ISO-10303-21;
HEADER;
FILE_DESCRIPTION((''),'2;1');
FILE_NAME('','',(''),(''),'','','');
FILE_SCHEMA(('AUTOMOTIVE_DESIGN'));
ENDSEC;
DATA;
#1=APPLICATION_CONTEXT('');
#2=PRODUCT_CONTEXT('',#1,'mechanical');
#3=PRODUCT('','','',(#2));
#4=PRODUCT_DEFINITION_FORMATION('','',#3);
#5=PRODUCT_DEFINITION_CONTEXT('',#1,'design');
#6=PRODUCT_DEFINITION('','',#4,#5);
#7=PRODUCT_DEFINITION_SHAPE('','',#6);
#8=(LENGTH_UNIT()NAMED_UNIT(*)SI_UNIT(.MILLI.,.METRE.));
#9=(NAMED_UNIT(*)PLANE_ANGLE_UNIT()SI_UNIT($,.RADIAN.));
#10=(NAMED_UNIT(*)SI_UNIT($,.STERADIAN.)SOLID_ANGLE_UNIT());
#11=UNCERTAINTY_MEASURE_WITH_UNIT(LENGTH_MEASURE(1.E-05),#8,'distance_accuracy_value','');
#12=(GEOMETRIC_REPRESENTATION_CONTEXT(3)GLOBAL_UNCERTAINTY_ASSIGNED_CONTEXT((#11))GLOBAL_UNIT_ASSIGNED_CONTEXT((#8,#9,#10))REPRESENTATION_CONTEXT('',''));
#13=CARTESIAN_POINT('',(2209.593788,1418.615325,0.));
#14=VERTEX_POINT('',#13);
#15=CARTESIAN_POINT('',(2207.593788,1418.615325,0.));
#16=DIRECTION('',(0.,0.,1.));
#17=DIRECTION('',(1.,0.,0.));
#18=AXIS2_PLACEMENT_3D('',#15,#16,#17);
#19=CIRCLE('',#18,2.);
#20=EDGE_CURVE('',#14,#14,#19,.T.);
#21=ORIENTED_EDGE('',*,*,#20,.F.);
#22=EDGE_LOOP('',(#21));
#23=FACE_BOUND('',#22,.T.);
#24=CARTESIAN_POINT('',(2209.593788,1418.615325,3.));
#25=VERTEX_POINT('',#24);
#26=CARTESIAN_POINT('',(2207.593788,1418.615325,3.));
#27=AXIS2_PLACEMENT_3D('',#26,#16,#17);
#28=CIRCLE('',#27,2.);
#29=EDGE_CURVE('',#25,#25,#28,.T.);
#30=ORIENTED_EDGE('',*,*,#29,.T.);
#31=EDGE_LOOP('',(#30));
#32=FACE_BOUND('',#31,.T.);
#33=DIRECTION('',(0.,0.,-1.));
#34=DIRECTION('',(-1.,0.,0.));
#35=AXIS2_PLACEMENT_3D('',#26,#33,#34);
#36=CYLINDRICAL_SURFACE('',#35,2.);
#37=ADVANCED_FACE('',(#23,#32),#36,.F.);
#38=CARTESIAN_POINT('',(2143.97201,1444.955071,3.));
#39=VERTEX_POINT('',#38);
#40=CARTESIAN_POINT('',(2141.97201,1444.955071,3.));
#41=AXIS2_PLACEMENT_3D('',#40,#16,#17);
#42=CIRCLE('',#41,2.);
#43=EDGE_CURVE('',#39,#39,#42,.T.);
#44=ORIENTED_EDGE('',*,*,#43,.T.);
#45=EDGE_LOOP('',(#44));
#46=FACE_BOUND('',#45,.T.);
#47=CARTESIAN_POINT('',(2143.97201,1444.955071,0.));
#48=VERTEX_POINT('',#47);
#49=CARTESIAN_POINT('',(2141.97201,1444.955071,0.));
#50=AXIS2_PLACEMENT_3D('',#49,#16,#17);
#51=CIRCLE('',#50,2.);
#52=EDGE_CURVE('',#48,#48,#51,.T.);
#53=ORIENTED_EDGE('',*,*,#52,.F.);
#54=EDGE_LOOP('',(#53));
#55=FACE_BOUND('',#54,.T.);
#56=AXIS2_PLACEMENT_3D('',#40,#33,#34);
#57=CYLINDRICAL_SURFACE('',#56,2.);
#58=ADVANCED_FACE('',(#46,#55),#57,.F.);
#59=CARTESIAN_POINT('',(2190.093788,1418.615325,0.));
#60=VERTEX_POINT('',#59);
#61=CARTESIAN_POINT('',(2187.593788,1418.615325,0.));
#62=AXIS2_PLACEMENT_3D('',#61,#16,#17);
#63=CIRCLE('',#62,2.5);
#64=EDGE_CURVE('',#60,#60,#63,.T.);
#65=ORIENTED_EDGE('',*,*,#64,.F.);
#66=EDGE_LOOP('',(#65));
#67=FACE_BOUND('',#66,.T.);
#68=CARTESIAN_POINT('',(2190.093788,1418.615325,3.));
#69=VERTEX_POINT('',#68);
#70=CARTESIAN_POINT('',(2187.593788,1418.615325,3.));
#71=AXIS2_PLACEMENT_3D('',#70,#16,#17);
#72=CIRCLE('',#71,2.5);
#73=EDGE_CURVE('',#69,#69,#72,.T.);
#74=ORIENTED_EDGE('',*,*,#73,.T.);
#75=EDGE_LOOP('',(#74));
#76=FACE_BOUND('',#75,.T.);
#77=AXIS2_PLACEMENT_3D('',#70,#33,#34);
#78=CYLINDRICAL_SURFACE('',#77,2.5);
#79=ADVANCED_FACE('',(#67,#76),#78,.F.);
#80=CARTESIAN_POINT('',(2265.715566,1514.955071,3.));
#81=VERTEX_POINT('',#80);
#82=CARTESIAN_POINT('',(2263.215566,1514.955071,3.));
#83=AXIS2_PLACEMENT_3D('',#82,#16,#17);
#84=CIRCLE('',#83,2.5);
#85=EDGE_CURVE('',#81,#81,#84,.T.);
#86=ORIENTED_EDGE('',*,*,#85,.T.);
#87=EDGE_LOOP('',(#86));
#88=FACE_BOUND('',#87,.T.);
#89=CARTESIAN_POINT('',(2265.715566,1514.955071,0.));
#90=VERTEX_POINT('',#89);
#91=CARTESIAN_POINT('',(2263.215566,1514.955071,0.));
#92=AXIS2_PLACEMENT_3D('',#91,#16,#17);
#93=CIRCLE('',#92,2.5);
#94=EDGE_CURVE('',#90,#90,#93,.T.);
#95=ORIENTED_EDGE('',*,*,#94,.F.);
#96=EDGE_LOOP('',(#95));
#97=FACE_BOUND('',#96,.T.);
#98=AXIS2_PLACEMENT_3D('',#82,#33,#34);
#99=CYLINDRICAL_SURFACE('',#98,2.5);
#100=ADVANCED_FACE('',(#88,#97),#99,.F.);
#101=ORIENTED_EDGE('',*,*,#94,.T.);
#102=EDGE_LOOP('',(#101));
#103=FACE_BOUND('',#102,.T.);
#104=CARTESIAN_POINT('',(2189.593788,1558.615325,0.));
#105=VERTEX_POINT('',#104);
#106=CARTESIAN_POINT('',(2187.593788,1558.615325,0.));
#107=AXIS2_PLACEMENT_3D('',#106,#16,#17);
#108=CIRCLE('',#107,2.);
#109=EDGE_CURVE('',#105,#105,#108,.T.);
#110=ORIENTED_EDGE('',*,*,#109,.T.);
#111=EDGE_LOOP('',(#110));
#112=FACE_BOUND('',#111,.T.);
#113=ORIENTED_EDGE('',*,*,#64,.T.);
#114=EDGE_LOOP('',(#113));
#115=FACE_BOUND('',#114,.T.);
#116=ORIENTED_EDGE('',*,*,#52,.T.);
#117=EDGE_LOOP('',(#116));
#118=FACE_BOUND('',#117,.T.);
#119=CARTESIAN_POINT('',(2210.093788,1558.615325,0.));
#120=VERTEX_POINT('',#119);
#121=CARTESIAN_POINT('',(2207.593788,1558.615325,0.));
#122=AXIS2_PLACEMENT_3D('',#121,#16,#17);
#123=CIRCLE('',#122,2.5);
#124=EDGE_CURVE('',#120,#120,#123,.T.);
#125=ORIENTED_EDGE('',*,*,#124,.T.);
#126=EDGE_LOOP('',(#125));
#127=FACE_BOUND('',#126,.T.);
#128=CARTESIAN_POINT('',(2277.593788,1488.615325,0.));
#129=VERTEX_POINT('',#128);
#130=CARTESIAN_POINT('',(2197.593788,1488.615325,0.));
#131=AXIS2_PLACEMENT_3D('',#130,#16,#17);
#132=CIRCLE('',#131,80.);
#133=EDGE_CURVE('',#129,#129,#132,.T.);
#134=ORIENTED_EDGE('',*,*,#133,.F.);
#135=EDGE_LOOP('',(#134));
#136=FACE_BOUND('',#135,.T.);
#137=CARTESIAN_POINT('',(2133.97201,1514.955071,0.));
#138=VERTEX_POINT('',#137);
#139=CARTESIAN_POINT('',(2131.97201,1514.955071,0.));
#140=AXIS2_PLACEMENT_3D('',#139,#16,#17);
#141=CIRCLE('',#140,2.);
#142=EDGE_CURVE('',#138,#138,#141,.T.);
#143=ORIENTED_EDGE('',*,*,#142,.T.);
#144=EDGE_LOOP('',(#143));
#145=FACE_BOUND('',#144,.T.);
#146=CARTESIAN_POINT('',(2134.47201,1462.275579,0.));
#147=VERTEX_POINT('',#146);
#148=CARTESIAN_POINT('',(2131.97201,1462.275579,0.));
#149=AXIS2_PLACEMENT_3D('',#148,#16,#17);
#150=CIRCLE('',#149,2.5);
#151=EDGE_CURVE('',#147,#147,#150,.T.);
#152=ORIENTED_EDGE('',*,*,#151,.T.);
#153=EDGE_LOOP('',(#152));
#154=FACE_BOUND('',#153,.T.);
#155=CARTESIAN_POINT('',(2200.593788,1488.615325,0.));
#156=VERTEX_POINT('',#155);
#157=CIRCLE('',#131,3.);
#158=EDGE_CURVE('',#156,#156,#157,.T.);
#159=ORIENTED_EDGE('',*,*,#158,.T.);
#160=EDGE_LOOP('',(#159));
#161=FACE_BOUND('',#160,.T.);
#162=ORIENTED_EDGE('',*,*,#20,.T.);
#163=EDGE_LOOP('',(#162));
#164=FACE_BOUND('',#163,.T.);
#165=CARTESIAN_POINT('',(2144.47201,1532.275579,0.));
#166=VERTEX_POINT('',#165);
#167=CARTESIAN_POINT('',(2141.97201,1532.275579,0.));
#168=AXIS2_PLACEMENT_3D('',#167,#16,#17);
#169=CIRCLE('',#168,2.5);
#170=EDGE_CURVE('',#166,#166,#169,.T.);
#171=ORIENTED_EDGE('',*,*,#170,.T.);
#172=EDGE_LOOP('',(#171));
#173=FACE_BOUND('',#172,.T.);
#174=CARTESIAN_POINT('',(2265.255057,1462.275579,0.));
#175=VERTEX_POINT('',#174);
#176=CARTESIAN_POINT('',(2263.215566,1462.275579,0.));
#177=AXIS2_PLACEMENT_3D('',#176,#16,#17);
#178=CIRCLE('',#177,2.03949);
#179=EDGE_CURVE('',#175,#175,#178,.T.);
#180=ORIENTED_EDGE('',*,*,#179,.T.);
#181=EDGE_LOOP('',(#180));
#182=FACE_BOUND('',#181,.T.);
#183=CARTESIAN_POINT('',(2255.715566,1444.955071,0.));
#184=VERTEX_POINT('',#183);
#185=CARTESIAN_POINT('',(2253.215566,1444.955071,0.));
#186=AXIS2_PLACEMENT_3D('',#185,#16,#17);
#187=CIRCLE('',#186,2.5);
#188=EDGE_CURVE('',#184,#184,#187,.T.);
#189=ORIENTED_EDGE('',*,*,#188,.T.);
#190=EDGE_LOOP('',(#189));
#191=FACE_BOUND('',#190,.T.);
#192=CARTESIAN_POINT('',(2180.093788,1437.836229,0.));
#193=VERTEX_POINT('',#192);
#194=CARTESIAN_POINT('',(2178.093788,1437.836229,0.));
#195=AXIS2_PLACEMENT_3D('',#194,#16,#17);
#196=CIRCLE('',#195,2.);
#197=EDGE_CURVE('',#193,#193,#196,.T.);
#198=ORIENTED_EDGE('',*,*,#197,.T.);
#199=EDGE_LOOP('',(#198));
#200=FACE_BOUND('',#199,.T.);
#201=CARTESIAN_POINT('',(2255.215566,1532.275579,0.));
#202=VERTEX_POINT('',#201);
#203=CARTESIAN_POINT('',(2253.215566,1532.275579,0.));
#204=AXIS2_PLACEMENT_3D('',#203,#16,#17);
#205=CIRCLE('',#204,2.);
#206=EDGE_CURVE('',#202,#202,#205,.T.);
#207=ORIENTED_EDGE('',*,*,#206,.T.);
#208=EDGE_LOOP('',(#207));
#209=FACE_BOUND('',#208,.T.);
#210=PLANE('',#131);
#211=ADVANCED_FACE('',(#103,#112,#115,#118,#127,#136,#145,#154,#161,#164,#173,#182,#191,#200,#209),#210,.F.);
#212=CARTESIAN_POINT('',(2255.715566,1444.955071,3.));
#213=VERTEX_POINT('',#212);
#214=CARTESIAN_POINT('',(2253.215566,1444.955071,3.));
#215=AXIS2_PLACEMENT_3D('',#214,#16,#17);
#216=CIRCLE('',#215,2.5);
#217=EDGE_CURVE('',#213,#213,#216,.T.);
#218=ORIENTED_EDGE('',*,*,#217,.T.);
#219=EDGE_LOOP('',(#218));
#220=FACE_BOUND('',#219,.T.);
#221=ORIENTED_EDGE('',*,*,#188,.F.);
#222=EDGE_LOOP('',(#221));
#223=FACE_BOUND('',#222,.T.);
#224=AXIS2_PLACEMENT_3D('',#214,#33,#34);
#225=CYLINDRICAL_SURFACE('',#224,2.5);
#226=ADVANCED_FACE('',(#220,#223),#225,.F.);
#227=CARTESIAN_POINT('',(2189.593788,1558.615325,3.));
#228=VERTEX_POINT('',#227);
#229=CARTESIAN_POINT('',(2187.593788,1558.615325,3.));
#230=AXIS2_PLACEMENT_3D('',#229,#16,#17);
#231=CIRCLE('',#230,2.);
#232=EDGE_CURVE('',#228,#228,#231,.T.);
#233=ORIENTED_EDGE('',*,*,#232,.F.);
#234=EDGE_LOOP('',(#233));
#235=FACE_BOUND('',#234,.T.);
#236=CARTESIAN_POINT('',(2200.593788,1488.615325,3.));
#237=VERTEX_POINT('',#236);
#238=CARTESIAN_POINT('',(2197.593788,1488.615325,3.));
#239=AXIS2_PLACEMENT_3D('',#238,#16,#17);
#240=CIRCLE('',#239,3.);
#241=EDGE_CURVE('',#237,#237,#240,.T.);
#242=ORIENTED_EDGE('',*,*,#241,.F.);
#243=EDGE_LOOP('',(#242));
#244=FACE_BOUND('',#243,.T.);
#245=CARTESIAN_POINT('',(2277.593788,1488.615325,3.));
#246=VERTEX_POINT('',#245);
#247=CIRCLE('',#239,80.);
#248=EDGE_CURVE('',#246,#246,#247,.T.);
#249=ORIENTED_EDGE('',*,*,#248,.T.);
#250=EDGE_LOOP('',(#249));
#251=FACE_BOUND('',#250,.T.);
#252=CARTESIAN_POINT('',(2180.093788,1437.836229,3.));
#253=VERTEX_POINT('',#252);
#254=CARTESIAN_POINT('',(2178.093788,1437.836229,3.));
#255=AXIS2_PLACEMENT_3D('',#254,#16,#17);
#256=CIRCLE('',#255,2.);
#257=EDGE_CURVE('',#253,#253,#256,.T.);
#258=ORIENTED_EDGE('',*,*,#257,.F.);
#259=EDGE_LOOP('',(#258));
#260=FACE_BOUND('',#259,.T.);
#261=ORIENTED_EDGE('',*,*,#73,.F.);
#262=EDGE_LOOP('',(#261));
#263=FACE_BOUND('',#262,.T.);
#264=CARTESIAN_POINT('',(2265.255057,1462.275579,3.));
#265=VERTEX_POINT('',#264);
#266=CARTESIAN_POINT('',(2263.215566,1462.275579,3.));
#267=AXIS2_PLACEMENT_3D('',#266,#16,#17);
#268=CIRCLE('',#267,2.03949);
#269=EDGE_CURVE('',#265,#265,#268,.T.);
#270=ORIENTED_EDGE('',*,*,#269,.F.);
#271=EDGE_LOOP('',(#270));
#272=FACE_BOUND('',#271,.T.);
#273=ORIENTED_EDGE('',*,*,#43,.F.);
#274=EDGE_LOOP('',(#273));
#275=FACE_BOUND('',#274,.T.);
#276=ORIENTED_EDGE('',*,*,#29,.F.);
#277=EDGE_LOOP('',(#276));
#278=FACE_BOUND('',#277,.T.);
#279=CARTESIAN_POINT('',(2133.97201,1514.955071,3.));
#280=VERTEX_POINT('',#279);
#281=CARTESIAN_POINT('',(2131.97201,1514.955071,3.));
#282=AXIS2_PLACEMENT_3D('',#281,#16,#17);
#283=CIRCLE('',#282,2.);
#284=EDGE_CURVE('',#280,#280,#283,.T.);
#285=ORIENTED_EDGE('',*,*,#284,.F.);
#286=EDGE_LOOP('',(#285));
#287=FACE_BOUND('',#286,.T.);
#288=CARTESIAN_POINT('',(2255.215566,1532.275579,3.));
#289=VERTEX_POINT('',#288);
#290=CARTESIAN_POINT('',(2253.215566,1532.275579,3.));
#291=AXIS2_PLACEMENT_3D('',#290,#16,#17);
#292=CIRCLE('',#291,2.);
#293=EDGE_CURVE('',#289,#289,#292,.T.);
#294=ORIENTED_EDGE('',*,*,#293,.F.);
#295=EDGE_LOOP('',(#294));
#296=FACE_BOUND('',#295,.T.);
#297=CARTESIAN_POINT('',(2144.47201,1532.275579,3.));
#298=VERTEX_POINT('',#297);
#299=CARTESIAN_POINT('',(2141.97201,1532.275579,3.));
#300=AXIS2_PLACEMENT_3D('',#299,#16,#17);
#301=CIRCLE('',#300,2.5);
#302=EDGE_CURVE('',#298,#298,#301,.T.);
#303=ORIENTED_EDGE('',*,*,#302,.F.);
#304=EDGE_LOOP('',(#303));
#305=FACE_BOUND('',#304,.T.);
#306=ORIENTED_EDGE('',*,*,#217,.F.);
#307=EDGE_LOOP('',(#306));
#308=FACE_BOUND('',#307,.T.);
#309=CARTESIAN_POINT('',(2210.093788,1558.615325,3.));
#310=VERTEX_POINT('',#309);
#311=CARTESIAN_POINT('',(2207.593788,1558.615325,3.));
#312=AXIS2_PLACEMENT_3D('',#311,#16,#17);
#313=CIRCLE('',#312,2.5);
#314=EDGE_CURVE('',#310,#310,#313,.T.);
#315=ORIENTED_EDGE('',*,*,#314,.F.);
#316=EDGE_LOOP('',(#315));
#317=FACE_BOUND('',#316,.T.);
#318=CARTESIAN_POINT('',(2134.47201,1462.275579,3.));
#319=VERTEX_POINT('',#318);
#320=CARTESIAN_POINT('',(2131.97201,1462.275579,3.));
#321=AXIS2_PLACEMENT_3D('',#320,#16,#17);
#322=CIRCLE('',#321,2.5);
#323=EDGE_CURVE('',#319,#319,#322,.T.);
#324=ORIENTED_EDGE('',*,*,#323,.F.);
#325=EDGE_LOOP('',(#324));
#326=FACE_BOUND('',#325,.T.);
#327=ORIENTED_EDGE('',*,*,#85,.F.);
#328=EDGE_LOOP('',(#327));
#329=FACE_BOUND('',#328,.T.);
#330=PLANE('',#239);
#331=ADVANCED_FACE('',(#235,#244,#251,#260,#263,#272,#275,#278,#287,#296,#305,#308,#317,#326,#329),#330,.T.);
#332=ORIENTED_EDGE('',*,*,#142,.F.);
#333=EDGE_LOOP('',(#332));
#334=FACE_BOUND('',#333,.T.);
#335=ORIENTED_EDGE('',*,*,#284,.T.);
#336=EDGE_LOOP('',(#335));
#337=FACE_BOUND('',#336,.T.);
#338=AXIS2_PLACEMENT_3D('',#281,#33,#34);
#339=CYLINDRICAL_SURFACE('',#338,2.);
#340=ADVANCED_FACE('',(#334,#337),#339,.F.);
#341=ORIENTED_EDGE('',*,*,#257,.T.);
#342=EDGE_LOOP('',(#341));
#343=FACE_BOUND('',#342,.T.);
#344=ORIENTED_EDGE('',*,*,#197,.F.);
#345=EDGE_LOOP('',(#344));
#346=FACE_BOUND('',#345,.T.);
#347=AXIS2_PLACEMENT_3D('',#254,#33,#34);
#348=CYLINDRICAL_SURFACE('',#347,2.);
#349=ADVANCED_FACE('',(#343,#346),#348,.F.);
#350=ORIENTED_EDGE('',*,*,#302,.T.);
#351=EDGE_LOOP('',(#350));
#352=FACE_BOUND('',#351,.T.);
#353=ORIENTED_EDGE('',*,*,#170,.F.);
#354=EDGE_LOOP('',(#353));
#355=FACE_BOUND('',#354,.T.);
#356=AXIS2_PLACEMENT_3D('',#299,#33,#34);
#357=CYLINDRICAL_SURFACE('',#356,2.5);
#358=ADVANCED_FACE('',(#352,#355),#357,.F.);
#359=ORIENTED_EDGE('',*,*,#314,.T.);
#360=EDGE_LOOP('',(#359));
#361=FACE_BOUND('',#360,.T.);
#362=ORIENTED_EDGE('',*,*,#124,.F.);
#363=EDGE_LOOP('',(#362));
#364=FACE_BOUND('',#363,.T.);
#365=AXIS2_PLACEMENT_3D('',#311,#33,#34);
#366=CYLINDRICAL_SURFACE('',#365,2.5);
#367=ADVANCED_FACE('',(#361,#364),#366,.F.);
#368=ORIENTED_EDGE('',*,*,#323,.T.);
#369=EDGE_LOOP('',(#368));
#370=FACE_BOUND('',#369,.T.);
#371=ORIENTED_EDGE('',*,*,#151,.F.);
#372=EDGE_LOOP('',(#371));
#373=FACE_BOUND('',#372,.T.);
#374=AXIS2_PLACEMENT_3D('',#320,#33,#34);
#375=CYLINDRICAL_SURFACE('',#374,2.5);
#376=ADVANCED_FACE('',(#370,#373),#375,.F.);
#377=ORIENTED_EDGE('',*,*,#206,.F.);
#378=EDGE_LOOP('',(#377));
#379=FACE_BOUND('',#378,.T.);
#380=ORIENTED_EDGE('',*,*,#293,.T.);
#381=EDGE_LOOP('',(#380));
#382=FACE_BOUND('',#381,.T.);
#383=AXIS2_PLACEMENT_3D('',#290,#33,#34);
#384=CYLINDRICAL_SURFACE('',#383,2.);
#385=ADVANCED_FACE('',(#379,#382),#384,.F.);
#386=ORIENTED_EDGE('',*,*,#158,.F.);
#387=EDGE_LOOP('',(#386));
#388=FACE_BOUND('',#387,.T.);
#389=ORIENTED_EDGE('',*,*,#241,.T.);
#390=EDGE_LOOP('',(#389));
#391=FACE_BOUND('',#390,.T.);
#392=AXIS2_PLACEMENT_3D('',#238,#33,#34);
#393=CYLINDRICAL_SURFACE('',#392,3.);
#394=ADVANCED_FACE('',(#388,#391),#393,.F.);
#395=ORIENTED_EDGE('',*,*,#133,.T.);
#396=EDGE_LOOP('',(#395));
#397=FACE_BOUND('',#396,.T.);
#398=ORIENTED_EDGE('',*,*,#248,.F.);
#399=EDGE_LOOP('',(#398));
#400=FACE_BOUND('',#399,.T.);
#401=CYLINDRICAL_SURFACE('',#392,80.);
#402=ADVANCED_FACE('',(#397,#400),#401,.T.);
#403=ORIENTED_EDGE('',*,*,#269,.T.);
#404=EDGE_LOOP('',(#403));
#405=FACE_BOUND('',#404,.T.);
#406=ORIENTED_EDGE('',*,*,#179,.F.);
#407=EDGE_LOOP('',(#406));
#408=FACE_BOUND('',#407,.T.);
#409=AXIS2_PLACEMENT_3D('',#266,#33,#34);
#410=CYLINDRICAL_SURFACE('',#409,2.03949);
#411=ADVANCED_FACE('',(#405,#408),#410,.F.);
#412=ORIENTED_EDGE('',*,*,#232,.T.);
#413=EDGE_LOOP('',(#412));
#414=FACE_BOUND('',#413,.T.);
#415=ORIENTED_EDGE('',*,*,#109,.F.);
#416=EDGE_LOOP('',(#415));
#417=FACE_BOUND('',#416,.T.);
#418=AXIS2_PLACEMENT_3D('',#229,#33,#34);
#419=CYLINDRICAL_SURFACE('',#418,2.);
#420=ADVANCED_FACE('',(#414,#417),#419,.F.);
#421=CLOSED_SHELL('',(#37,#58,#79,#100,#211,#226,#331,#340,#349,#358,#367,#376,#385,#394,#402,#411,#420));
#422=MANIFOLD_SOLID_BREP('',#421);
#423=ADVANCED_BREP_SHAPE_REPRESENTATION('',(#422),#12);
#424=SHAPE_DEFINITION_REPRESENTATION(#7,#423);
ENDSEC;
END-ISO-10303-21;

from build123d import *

# Parameters (mm, degrees)
SKETCH_1_R      = 80
SKETCH_1_R_2    = 3
SKETCH_1_R_3    = 2
SKETCH_1_R_4    = 2.5
SKETCH_1_R_5    = 2.039490197
EXTRUDE_1_DEPTH = 3


with BuildPart() as part:
    # ｽｹｯﾁ1 → ﾎﾞｽ - 押し出し1 (new body)
    with BuildSketch(Plane.XY):
        with Locations((2197.593788105, 1488.615324608)):
            Circle(SKETCH_1_R)
        with Locations((2197.593788105, 1488.615324608)):
            Circle(SKETCH_1_R_2, mode=Mode.SUBTRACT)
        with Locations((2187.593788105, 1558.615324608)):
            Circle(SKETCH_1_R_3, mode=Mode.SUBTRACT)
        with Locations((2141.97200984, 1532.275578646)):
            Circle(SKETCH_1_R_4, mode=Mode.SUBTRACT)
        with Locations((2207.593788105, 1558.615324608)):
            Circle(SKETCH_1_R_4, mode=Mode.SUBTRACT)
        with Locations((2131.97200984, 1514.95507057)):
            Circle(SKETCH_1_R_3, mode=Mode.SUBTRACT)
        with Locations((2131.97200984, 1462.275578646)):
            Circle(SKETCH_1_R_4, mode=Mode.SUBTRACT)
        with Locations((2141.97200984, 1444.95507057)):
            Circle(SKETCH_1_R_3, mode=Mode.SUBTRACT)
        with Locations((2178.093788105, 1437.836228836)):
            Circle(SKETCH_1_R_3, mode=Mode.SUBTRACT)
        with Locations((2187.593788105, 1418.615324608)):
            Circle(SKETCH_1_R_4, mode=Mode.SUBTRACT)
        with Locations((2207.593788105, 1418.615324608)):
            Circle(SKETCH_1_R_3, mode=Mode.SUBTRACT)
        with Locations((2253.21556637, 1444.95507057)):
            Circle(SKETCH_1_R_4, mode=Mode.SUBTRACT)
        with Locations((2263.21556637, 1462.275578646)):
            Circle(SKETCH_1_R_5, mode=Mode.SUBTRACT)
        with Locations((2263.21556637, 1514.95507057)):
            Circle(SKETCH_1_R_4, mode=Mode.SUBTRACT)
        with Locations((2253.21556637, 1532.275578646)):
            Circle(SKETCH_1_R_3, mode=Mode.SUBTRACT)
    extrude(amount=EXTRUDE_1_DEPTH)


solid = part.part
